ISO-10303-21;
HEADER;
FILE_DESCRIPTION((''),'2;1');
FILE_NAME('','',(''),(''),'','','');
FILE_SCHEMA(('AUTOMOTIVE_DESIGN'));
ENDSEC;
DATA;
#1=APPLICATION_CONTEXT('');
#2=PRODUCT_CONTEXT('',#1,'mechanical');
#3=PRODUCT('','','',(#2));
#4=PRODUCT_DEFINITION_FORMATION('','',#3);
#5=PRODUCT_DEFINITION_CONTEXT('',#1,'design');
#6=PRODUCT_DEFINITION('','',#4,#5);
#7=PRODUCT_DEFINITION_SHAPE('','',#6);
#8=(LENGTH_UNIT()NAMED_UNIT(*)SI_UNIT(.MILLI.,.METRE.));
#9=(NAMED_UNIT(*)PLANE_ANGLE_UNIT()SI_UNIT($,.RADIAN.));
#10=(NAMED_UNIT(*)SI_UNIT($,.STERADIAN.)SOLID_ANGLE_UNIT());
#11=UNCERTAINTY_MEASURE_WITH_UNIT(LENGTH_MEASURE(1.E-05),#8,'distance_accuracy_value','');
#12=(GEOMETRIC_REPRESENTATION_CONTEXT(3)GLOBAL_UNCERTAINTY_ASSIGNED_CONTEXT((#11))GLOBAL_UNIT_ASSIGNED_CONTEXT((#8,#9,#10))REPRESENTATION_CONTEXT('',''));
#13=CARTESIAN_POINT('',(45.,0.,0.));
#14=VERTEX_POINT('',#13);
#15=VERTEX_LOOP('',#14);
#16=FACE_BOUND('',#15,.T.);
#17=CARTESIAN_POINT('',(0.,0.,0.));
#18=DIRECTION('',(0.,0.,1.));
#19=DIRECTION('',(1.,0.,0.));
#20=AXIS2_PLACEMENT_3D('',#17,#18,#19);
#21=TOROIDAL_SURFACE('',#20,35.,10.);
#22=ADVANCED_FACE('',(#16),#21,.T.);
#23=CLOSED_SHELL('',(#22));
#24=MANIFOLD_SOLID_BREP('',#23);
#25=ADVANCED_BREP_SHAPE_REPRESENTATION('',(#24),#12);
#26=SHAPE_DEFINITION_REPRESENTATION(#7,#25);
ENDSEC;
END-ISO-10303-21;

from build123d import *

# Parameters (mm, degrees)
SKETCH_1_R = 10


with BuildPart() as part:
    # 스케치1 → 회전1 (revolve)
    with BuildSketch(Plane(origin=(0, 0, 0), x_dir=(0, 0, -1), z_dir=(1, 0, 0))):
        with Locations((0, 35)):
            Circle(SKETCH_1_R)
    revolve(axis=Axis((0, 0, 210), (0, 0, -1)))


solid = part.part
